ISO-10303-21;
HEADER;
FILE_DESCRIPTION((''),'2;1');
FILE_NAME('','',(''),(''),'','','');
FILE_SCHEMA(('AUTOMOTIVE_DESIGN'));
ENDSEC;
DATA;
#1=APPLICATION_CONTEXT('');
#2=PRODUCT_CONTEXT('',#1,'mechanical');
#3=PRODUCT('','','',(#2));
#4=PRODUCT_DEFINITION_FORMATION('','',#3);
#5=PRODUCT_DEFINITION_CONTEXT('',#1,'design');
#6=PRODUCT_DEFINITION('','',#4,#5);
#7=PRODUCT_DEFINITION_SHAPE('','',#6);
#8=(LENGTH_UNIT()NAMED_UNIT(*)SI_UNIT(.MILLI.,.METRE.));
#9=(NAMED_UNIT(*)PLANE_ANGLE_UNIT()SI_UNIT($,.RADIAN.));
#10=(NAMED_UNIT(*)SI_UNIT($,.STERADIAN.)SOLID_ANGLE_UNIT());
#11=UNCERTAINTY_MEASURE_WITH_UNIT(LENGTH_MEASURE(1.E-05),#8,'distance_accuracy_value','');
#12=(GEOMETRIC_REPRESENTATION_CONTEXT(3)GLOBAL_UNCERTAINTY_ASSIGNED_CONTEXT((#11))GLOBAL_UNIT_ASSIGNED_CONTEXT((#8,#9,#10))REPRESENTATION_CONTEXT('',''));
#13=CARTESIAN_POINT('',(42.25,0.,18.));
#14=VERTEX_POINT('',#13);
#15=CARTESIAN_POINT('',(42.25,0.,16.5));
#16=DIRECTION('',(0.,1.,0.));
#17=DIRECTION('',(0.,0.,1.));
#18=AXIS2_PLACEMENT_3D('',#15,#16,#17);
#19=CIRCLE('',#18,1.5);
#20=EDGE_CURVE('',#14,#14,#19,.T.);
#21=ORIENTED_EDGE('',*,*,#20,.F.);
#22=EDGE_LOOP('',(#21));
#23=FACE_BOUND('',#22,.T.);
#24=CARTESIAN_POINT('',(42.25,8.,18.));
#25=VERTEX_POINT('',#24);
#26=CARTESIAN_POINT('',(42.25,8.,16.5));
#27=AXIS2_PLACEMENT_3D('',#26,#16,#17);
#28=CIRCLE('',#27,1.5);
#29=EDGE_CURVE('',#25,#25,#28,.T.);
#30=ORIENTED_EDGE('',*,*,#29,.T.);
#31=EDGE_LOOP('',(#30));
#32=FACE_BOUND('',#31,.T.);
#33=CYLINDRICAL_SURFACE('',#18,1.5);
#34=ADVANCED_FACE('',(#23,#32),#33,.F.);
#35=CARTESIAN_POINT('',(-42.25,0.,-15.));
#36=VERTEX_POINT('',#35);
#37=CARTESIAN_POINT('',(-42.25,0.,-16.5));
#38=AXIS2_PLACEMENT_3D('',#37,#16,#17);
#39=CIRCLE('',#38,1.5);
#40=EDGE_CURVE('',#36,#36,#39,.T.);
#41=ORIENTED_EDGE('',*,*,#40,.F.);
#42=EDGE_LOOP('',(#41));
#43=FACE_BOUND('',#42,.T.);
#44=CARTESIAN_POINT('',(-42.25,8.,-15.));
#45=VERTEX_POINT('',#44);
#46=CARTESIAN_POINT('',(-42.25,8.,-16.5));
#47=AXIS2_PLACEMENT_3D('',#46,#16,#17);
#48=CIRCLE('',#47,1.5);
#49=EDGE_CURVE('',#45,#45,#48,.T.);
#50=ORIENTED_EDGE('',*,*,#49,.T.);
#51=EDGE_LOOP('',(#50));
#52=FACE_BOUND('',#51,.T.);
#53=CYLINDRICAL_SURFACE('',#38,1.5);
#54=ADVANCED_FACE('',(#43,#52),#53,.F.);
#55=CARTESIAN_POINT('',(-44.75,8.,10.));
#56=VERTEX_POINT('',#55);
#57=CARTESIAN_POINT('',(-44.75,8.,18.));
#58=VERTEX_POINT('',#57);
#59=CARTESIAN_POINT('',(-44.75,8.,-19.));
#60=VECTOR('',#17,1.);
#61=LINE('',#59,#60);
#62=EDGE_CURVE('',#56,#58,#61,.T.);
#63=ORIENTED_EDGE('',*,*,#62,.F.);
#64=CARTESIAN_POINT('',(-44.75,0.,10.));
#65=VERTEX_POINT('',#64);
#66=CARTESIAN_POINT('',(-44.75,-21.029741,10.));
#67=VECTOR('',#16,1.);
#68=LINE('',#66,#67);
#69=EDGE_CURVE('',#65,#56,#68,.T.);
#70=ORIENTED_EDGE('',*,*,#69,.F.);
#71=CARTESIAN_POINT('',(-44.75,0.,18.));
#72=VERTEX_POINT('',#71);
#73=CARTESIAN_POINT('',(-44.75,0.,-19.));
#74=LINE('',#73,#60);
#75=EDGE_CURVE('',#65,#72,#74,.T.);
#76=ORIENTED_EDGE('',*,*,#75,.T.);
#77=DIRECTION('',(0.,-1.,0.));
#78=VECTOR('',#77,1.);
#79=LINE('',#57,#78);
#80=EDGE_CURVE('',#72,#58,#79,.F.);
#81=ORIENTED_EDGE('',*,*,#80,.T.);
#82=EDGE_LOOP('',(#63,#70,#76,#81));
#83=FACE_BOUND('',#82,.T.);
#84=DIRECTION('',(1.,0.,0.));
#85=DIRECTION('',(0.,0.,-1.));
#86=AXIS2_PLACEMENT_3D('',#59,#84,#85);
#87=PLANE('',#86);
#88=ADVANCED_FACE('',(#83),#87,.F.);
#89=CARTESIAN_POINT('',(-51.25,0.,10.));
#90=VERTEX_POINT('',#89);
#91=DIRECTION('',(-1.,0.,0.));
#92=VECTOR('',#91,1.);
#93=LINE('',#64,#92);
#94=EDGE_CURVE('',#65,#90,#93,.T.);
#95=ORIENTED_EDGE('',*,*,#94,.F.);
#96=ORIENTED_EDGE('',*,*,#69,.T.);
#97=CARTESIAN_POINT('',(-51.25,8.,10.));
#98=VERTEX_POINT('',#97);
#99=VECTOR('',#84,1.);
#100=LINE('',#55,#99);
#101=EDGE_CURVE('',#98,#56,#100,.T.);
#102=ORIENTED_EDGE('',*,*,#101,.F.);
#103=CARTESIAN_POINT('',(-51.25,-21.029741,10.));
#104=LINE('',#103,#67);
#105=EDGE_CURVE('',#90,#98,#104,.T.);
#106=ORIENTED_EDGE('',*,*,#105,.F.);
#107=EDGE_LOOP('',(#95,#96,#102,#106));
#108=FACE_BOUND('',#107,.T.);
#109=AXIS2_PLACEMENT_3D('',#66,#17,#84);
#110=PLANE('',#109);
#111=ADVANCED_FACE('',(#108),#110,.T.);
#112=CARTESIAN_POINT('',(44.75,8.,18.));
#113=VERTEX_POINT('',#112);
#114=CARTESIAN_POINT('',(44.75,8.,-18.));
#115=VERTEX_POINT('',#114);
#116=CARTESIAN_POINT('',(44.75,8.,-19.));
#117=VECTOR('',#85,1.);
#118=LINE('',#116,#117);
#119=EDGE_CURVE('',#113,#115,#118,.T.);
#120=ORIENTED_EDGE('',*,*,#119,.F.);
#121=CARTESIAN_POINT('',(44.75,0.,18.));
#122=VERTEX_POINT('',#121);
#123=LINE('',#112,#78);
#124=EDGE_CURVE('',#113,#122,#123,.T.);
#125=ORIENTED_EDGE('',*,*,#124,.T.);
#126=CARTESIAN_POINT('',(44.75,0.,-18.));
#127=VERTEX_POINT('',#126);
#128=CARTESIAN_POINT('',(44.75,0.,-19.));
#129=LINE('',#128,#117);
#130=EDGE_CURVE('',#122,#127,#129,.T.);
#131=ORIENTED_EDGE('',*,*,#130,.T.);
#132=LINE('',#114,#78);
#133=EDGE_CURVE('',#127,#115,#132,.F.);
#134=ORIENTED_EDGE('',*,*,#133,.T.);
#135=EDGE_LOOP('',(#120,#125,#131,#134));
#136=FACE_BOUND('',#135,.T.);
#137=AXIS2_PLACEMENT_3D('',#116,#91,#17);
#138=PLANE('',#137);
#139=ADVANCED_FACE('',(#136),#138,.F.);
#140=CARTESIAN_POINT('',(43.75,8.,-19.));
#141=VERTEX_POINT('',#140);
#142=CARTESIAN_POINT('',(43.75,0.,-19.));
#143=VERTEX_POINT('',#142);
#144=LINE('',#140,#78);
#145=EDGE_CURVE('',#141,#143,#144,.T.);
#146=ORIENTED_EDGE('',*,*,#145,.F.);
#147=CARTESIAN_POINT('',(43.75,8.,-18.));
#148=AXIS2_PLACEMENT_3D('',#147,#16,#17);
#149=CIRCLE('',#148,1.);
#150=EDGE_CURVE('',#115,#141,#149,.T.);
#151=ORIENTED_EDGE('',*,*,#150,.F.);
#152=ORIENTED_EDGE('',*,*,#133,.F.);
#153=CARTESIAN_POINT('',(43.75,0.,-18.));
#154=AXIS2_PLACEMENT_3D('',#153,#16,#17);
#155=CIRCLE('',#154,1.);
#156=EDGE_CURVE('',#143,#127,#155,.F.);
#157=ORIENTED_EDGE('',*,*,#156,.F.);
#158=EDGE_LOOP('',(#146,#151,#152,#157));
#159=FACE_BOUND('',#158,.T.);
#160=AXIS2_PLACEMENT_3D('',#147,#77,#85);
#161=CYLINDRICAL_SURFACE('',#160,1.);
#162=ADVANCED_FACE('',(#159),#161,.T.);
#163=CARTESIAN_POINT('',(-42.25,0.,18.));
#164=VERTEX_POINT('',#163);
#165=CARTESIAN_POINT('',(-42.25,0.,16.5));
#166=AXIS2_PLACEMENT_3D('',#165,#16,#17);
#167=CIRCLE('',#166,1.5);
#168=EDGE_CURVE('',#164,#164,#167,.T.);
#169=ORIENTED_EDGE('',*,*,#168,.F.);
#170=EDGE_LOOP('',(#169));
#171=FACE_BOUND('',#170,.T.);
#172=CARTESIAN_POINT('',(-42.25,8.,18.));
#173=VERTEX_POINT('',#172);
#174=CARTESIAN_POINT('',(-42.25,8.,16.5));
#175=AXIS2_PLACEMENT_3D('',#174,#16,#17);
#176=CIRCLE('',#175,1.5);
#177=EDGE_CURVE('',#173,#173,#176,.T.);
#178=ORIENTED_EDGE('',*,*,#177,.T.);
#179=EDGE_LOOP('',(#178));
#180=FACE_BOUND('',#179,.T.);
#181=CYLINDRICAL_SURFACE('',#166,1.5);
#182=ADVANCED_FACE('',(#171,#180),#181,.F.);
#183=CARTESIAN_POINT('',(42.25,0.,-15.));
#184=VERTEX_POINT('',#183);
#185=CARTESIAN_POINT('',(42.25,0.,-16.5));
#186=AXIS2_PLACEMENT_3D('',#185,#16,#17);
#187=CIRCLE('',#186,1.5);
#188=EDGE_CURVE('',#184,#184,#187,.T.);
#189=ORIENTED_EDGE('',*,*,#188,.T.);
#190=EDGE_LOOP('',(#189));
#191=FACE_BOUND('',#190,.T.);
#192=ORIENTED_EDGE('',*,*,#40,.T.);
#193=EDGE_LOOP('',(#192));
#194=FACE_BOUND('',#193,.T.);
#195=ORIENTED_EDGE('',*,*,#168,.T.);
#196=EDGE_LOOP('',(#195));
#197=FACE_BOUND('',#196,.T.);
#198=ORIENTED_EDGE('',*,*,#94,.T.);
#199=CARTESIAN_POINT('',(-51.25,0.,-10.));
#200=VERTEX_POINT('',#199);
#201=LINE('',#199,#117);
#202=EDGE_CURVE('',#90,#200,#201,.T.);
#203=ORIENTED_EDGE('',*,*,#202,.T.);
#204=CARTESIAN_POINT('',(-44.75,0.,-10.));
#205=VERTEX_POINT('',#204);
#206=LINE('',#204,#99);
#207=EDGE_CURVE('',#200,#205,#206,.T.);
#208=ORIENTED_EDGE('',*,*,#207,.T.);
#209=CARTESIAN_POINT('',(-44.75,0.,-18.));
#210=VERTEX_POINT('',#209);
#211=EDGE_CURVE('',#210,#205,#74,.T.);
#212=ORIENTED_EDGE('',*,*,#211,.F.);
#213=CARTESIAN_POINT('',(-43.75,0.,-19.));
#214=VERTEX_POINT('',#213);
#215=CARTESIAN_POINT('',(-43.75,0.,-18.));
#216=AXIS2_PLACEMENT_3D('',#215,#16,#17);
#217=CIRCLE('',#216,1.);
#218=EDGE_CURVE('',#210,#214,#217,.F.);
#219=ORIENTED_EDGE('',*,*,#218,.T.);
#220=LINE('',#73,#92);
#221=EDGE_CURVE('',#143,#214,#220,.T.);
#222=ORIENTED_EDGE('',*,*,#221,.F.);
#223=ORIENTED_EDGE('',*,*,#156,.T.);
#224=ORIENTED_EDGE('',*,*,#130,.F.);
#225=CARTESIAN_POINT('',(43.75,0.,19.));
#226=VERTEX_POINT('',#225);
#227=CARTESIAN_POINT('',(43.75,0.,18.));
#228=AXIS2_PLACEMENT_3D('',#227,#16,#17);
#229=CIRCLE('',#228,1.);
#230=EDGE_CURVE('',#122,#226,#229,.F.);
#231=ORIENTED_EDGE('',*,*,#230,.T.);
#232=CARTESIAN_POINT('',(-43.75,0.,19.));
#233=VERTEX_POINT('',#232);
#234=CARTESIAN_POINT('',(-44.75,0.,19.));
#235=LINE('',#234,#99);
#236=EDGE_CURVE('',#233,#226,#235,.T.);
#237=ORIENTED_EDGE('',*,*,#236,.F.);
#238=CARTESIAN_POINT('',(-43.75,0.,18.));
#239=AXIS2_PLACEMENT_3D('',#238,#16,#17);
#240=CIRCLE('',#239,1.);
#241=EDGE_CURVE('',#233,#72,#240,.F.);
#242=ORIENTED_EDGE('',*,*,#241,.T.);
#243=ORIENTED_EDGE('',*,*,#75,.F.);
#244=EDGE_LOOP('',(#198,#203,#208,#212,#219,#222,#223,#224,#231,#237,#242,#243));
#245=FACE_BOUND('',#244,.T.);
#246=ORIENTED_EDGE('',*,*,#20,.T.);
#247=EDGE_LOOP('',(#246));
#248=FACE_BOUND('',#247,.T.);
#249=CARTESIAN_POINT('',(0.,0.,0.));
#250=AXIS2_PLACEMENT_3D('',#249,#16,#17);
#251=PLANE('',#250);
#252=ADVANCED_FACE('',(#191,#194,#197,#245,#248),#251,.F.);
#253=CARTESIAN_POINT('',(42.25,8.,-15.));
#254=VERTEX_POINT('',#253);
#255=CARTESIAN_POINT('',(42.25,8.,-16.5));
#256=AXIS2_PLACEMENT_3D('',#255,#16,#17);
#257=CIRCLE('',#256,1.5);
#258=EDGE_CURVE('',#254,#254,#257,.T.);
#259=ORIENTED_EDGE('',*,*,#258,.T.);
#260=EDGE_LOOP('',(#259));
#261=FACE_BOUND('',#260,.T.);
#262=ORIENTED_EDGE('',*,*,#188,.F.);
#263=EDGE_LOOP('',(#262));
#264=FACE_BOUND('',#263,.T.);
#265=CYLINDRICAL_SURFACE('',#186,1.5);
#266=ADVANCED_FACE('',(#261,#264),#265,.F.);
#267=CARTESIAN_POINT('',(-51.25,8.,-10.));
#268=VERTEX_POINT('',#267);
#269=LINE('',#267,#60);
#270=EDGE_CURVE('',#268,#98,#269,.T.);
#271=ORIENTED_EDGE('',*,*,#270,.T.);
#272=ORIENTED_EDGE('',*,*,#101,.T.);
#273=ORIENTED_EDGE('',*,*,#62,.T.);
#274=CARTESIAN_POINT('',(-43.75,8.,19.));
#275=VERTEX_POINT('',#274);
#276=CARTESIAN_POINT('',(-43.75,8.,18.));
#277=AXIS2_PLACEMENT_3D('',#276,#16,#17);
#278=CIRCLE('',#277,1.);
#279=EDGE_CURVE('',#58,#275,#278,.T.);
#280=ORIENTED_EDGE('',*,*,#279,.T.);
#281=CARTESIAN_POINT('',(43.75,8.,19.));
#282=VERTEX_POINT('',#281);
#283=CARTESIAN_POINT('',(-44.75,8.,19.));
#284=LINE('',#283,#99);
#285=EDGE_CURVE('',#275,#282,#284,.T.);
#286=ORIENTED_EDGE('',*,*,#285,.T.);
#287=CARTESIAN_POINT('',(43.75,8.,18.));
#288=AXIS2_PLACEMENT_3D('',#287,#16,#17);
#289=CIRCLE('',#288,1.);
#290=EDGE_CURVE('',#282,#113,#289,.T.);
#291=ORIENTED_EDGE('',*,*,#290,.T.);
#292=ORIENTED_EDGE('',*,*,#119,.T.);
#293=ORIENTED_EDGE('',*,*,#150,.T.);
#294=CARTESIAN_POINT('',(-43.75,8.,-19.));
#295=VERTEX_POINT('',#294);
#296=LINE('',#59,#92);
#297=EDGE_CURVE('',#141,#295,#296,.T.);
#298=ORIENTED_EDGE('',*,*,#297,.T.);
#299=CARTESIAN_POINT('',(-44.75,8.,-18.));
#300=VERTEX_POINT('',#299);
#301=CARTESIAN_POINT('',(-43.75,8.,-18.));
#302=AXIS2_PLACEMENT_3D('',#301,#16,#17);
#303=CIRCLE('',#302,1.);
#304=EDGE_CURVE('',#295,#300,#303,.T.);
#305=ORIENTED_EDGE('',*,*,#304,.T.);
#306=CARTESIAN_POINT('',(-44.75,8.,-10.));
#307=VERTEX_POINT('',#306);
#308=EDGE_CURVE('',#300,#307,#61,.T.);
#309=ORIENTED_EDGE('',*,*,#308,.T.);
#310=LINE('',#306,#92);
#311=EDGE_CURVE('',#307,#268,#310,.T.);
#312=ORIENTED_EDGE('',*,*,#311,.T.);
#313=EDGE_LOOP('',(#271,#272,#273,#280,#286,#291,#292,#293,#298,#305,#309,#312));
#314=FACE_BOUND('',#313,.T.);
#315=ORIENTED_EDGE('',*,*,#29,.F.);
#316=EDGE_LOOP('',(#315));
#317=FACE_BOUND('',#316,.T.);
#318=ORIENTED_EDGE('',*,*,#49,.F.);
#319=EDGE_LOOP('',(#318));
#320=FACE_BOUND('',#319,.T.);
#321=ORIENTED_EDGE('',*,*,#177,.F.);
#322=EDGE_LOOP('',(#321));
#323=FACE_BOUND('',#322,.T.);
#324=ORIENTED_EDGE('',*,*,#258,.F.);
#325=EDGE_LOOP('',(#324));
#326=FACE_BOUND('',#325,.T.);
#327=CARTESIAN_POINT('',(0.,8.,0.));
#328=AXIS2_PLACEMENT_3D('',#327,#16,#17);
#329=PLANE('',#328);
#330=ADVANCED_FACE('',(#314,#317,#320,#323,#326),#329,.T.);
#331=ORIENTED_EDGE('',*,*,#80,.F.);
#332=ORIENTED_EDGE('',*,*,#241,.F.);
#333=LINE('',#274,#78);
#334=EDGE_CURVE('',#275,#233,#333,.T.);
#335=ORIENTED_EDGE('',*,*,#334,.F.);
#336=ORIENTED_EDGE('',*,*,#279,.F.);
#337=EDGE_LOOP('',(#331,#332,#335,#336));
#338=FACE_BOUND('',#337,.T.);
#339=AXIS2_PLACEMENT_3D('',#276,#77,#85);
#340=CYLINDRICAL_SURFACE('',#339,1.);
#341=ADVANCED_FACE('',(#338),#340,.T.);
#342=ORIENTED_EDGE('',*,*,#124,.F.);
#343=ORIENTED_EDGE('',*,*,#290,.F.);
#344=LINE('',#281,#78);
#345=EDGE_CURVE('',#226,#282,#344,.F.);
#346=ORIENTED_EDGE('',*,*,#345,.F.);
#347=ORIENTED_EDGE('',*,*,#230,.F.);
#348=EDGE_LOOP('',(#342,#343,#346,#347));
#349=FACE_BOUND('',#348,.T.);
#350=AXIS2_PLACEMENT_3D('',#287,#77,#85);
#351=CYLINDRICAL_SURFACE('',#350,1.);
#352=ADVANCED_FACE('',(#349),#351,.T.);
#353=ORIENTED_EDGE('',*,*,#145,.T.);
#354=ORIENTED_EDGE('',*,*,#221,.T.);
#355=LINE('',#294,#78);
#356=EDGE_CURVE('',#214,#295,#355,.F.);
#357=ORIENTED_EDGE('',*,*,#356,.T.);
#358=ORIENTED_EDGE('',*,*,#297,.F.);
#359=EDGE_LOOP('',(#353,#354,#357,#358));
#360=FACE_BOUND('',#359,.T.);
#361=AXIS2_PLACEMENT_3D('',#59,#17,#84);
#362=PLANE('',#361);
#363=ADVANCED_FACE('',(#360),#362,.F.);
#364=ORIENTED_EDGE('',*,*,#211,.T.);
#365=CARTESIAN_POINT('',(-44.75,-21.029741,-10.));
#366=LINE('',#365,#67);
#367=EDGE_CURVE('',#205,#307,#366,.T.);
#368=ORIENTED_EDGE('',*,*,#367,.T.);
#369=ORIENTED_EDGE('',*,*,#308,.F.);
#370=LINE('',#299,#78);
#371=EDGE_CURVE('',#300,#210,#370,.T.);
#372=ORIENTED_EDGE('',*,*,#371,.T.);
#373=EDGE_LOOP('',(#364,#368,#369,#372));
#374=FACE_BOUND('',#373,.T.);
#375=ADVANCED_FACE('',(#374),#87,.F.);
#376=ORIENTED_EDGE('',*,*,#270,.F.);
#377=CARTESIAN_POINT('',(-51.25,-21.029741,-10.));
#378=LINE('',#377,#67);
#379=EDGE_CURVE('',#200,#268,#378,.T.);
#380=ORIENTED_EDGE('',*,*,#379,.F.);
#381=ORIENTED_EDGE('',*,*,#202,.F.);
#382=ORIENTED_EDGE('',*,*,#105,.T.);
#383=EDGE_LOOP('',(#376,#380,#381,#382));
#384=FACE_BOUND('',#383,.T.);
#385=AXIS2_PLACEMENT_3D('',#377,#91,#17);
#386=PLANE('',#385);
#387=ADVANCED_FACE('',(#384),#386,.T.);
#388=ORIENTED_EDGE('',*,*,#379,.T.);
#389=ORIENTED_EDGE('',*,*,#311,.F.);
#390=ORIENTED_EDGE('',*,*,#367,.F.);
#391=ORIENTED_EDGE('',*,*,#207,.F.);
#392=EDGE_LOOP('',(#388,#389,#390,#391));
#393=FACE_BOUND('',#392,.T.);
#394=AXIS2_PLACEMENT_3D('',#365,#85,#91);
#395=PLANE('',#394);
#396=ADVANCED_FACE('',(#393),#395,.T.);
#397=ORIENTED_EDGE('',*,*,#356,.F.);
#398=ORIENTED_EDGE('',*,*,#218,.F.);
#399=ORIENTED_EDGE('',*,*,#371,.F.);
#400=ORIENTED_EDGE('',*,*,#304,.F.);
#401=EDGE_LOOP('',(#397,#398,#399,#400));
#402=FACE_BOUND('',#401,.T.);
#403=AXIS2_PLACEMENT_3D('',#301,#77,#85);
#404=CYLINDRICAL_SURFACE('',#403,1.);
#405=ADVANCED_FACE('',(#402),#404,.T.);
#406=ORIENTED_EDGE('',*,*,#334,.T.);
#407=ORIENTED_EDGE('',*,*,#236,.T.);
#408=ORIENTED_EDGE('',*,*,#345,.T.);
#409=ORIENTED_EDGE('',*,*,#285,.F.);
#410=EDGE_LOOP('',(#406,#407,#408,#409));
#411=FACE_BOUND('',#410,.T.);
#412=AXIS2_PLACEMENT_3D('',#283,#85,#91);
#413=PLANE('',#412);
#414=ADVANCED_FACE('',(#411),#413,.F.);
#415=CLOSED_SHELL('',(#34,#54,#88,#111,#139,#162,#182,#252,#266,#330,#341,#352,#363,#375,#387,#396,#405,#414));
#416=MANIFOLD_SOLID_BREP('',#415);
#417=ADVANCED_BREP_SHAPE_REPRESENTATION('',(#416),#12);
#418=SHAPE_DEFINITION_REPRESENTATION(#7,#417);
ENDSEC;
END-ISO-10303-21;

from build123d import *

# Parameters (mm, degrees)
SKETCH1_W           = 89.5
SKETCH1_H           = 38
BOSS_EXTRUDE1_DEPTH = 8
SKETCH2_R           = 1.5
CUT_EXTRUDE1_DEPTH  = 50.270300385
FILLET1_R           = 1
SKETCH4_W           = 6.5
SKETCH4_H           = 20
BOSS_EXTRUDE2_DEPTH = 8


with BuildPart() as part:
    # Sketch1 → Boss-Extrude1 (new body)
    with BuildSketch(Plane(origin=(0, 0, 0), x_dir=(1, 0, 0), z_dir=(0, 1, 0))):
        Rectangle(SKETCH1_W, SKETCH1_H)
    extrude(amount=BOSS_EXTRUDE1_DEPTH)

    # Sketch2 → Cut-Extrude1 (cut, through all)
    with BuildSketch(Plane(origin=(0, 8, 0), x_dir=(1, 0, 0), z_dir=(0, 1, 0))):
        with Locations(Location((-42.25, 16.5, 0), (0, 0, 270))):
            Circle(SKETCH2_R)
        with Locations(Location((42.25, 16.5, 0), (0, 0, 270))):
            Circle(SKETCH2_R)
        with Locations(Location((42.25, -16.5, 0), (0, 0, 270))):
            Circle(SKETCH2_R)
        with Locations(Location((-42.25, -16.5, 0), (0, 0, 270))):
            Circle(SKETCH2_R)
    extrude(amount=-CUT_EXTRUDE1_DEPTH, mode=Mode.SUBTRACT)

    # Fillet1
    fillet1_edges = [part.edges().sort_by_distance(p)[0] for p in [
        (44.75, 4, 19),
        (-44.75, 4, 19),
        (-44.75, 4, -19),
        (44.75, 4, -19),
    ]]
    fillet(fillet1_edges, radius=FILLET1_R)

    # Sketch4 → Boss-Extrude2 (add)
    with BuildSketch(Plane(origin=(0, 8, 0), x_dir=(1, 0, 0), z_dir=(0, 1, 0))):
        with Locations((-48, 0)):
            Rectangle(SKETCH4_W, SKETCH4_H)
    extrude(amount=-BOSS_EXTRUDE2_DEPTH)


solid = part.part
